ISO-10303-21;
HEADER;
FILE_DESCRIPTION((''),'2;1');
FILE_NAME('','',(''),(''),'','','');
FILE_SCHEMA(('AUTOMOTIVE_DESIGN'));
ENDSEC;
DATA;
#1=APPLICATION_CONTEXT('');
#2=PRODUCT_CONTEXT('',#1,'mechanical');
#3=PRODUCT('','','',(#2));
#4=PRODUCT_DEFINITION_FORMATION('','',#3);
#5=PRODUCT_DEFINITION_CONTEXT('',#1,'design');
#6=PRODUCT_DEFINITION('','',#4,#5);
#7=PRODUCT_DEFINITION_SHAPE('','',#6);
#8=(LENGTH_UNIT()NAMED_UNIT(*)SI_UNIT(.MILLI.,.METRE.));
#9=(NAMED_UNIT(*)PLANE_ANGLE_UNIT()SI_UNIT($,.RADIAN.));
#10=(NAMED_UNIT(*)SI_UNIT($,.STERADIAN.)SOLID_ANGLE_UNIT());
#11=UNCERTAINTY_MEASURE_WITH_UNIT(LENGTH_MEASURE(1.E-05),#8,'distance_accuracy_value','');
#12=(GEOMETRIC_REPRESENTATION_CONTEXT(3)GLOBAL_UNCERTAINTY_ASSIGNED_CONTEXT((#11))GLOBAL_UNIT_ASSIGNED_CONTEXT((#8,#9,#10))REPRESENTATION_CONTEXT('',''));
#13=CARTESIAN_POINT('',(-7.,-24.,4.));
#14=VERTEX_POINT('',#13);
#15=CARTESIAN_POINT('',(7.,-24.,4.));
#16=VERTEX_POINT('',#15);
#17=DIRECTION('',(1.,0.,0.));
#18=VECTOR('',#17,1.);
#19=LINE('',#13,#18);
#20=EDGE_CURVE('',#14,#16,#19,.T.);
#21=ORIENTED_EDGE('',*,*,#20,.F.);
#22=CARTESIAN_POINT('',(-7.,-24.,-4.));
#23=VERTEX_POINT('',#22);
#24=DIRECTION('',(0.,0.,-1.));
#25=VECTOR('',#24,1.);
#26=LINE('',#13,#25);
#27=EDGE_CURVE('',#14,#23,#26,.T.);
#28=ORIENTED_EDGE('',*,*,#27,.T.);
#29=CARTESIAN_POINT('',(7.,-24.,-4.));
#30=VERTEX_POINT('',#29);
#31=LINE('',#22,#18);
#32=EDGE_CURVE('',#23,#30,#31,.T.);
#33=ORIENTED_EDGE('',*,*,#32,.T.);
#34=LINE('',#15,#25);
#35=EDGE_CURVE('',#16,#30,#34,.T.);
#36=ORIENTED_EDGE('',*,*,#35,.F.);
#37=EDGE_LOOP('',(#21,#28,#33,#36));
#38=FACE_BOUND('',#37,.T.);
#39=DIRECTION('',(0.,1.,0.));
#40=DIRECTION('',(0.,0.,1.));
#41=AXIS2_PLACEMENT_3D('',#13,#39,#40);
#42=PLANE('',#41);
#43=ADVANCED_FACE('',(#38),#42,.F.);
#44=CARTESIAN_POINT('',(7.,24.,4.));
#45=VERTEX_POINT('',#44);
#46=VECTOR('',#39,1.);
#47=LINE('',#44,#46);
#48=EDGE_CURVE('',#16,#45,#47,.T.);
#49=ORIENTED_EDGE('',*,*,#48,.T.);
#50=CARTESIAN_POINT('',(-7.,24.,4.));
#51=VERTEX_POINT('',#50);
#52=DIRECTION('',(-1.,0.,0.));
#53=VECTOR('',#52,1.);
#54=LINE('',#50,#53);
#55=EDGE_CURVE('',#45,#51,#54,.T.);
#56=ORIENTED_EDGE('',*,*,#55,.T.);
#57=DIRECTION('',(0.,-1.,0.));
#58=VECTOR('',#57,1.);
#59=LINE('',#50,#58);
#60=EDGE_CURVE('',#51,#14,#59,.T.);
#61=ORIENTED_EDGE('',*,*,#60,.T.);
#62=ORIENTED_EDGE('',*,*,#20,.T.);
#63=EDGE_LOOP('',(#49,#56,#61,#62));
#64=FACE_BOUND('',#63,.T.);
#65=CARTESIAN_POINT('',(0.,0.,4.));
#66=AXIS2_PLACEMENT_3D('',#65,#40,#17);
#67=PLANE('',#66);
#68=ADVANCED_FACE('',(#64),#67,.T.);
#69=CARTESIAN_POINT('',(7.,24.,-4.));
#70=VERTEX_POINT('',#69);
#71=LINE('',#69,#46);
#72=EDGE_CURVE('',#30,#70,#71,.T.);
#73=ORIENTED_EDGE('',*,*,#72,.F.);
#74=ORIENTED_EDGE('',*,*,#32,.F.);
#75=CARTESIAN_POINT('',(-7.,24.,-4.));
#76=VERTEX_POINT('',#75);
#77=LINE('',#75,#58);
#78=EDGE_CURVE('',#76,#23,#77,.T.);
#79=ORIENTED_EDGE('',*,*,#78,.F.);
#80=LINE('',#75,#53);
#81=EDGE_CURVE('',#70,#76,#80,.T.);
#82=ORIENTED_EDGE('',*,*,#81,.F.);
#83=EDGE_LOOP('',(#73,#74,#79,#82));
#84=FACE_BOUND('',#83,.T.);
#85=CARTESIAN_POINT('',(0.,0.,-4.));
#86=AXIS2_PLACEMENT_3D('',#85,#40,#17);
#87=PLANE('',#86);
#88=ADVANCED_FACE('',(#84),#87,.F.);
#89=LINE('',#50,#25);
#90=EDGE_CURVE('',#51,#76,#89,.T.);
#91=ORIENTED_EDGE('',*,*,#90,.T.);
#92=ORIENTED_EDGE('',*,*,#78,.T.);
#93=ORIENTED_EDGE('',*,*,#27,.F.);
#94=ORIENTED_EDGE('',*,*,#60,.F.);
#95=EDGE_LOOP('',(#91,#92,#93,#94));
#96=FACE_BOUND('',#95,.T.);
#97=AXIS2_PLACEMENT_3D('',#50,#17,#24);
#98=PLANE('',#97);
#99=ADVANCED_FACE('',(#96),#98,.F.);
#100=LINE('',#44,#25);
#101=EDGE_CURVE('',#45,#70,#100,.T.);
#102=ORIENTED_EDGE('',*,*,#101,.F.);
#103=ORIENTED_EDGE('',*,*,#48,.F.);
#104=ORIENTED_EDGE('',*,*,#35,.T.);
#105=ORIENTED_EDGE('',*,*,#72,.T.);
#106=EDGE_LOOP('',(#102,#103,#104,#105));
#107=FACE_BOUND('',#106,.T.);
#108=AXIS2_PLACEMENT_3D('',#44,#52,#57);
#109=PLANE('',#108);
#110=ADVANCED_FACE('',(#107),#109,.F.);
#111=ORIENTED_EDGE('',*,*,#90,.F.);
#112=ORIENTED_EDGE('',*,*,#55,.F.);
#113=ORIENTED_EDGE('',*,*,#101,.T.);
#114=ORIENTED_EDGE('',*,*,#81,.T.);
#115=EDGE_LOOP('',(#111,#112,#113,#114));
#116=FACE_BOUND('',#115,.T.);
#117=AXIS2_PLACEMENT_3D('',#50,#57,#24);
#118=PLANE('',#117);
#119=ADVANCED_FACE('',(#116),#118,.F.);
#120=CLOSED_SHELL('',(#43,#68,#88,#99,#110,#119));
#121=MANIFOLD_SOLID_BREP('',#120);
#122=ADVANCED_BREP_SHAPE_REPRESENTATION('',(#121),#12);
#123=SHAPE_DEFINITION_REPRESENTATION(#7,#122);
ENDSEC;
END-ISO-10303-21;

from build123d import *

# Parameters (mm, degrees)
SKETCH1_W           = 14
SKETCH1_H           = 48
BOSS_EXTRUDE1_DEPTH = 4


with BuildPart() as part:
    # Sketch1 → Boss-Extrude1 (new body, symmetric)
    with BuildSketch(Plane.XY):
        Rectangle(SKETCH1_W, SKETCH1_H)
    extrude(amount=BOSS_EXTRUDE1_DEPTH, both=True)


solid = part.part
